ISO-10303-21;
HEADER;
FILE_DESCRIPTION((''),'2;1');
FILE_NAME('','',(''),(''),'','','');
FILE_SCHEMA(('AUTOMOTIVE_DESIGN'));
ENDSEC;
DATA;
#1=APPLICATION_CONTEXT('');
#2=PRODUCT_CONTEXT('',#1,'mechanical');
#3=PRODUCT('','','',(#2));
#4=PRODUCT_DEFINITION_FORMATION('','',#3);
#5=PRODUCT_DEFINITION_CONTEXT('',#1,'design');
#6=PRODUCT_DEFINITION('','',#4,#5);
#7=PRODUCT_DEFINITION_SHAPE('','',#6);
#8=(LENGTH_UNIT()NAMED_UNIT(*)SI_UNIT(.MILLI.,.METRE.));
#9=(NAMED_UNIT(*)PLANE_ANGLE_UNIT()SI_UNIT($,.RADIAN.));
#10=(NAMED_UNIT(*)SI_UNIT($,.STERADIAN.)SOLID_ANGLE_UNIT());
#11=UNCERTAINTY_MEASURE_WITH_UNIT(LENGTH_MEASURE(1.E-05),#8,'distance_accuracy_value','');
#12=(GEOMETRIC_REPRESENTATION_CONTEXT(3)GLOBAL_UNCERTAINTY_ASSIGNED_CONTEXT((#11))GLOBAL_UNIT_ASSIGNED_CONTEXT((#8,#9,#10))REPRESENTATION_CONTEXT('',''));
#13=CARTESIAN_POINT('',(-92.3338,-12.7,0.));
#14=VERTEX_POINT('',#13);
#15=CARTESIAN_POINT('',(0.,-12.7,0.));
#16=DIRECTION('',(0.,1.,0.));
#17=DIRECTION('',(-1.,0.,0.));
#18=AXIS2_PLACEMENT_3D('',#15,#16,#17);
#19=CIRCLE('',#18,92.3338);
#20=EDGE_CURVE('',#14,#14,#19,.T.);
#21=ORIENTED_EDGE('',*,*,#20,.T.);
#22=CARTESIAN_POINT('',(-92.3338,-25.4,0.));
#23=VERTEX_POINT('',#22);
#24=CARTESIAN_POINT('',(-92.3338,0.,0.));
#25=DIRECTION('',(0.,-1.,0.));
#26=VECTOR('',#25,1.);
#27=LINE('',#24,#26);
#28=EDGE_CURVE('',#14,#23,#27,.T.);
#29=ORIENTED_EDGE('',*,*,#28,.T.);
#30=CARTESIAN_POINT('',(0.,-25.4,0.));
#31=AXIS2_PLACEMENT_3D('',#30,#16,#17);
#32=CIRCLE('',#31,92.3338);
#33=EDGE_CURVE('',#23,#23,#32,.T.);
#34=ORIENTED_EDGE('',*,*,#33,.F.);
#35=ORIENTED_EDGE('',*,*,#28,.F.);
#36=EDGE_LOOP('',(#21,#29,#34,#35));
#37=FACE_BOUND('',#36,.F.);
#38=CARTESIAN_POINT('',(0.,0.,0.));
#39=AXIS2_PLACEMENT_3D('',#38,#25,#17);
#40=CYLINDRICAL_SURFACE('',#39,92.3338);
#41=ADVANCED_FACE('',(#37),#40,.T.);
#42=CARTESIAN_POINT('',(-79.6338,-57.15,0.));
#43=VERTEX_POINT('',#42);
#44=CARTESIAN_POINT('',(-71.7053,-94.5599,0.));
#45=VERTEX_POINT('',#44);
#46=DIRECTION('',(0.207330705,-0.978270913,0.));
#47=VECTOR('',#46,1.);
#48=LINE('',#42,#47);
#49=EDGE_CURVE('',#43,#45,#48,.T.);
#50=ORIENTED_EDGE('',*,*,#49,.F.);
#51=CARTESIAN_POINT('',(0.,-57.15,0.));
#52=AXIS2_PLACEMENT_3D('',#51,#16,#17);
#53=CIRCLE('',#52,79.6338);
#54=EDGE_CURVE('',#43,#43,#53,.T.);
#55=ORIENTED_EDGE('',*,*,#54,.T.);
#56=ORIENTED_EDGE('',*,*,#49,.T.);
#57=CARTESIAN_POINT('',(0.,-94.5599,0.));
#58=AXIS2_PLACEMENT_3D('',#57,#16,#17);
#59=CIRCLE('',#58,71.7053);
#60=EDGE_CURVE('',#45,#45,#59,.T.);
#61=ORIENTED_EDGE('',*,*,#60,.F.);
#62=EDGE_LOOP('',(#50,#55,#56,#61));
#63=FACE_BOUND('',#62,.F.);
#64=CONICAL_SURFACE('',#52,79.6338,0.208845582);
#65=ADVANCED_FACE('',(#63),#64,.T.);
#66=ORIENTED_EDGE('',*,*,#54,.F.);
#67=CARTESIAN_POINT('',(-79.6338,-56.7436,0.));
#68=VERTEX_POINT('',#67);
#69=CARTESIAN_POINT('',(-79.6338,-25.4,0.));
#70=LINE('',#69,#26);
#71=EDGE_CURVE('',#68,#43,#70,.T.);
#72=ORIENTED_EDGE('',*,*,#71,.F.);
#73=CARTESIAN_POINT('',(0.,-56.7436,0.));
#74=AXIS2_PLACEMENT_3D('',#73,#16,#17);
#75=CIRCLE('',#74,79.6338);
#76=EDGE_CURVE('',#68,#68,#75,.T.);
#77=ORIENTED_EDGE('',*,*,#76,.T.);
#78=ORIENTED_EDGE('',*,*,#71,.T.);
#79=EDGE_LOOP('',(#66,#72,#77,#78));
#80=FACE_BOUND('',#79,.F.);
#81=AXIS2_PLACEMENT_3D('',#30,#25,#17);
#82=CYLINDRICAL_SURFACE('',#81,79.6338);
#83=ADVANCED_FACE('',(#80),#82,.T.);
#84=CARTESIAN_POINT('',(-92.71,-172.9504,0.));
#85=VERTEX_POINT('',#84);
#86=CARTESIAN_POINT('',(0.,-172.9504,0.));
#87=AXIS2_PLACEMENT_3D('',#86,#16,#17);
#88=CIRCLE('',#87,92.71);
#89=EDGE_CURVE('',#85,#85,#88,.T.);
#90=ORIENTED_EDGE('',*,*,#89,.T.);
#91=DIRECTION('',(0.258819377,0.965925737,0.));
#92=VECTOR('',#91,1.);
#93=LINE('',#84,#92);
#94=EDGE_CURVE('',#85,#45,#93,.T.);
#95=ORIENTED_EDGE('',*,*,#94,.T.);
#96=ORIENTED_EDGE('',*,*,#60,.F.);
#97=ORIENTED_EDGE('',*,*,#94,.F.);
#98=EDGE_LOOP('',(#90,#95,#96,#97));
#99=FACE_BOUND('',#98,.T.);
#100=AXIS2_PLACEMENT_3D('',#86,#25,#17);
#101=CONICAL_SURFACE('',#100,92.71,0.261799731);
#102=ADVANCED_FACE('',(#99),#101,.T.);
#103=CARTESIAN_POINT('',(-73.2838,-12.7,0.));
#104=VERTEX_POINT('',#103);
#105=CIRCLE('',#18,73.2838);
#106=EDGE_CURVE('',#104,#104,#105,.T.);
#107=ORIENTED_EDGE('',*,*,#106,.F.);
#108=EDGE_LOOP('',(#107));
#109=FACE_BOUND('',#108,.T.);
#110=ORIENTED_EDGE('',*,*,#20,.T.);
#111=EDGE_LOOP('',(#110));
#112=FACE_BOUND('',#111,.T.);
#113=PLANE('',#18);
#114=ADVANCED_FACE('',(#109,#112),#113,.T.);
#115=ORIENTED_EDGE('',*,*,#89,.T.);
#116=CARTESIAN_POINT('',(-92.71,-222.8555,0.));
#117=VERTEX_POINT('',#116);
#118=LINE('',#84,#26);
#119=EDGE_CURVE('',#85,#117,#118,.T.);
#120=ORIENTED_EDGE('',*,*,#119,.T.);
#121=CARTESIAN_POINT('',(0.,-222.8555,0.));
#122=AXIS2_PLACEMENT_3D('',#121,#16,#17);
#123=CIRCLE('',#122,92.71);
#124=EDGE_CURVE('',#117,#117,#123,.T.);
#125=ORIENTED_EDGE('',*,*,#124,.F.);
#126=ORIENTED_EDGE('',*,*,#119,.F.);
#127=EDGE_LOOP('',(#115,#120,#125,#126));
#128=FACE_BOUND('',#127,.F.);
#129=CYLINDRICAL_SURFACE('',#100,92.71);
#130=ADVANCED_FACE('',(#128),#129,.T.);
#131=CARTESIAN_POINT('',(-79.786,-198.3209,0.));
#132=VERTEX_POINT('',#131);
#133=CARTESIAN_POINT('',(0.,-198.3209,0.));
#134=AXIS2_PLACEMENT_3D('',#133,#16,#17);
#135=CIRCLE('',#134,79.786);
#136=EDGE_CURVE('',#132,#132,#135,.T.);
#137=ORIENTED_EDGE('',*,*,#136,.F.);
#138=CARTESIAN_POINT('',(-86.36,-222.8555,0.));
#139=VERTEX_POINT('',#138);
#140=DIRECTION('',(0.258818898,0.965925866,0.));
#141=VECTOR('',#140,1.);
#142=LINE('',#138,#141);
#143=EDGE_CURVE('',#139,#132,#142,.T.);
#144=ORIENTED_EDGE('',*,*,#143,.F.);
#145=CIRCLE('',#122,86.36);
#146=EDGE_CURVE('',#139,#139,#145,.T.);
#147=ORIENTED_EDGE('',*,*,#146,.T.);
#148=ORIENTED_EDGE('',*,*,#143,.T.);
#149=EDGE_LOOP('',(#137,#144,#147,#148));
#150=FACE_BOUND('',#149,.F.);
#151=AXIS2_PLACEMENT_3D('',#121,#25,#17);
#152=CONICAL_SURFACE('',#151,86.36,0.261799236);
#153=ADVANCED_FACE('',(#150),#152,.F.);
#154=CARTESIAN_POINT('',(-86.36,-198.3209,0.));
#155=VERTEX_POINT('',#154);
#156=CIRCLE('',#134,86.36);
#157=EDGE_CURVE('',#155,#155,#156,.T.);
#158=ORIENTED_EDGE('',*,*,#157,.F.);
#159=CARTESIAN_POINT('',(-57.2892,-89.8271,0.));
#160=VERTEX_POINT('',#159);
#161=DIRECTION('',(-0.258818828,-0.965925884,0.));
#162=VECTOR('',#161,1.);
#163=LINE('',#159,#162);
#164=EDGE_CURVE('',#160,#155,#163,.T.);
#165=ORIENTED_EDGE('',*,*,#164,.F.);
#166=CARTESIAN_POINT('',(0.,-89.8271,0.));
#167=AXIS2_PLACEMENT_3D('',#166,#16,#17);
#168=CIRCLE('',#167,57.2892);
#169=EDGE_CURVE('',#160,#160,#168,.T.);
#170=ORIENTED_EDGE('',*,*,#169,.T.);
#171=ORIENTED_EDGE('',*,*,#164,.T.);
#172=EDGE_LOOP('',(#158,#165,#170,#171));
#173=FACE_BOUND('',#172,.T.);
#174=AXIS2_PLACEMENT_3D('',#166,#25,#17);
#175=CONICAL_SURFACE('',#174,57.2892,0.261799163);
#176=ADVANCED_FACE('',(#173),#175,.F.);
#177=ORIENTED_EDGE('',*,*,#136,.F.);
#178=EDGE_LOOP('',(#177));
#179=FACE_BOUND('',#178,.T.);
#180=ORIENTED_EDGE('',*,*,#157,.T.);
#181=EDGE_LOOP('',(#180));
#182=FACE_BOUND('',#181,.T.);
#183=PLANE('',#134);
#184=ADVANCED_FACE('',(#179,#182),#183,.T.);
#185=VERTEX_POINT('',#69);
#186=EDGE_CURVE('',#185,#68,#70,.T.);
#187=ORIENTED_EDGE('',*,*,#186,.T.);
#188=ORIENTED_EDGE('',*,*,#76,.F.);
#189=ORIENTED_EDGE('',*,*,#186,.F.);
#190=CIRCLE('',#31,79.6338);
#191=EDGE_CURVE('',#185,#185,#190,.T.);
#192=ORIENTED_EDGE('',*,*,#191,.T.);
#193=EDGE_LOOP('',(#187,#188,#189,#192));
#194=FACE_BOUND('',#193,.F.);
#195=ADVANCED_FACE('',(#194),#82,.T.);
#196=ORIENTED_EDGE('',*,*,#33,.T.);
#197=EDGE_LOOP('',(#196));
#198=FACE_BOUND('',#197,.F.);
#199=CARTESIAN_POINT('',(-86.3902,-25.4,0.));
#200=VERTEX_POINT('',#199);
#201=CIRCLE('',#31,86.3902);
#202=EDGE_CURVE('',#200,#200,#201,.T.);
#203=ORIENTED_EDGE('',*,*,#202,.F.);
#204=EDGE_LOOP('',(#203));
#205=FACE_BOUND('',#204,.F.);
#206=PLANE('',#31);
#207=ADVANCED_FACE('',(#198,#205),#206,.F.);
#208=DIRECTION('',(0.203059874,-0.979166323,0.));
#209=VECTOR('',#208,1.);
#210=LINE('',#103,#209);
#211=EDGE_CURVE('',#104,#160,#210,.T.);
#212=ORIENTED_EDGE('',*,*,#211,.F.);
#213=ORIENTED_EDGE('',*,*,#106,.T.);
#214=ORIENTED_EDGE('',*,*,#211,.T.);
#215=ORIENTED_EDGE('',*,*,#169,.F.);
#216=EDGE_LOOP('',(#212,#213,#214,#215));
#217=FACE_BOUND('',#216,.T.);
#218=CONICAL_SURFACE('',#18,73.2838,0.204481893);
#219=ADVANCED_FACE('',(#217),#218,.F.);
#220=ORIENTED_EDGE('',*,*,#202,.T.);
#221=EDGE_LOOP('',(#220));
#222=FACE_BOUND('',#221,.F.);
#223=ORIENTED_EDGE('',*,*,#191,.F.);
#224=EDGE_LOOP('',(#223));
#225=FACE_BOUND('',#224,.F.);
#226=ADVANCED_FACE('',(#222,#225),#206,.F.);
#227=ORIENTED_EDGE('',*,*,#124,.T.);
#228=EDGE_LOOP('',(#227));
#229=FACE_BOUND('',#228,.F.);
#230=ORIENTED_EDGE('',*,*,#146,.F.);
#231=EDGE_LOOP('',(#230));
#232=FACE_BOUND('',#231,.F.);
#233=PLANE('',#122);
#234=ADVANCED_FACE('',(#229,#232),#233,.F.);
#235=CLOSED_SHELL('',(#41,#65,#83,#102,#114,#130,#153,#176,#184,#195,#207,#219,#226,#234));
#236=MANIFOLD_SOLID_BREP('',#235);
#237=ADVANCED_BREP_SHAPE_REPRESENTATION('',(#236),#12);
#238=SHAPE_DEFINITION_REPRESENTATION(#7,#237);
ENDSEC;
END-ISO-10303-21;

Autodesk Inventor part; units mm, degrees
ref_plane "YZ Plane" through (0, 0, 0) normal (1, 0, 0) x (0, 1, 0)
ref_plane "XZ Plane" through (0, 0, 0) normal (0, 1, 0) x (-1, 0, 0)
ref_plane "XY Plane" through (0, 0, 0) normal (0, 0, 1) x (1, 0, 0)
sketch "Sketch1" plane through (0, 0, 0) normal (0, 0, 1) x (1, 0, 0)
  line L0 (0, 25.4) -> (-28.702, 25.4) construction
  line L1 (0, 25.4) -> (-95.25, 25.4) construction
  line L2 (-95.25, 25.4) -> (-89.1588, 25.4) construction
  line L3 (-89.1588, 25.4) -> (-85.693, 23.7839) construction
  line L4 (-89.1588, 25.4) -> (-89.1588, 21.1626) construction
  line L5 (-89.1588, 0) -> (-95.25, 0)
  line L6 (-28.702, 59.6457) -> (-28.702, -91.9304) construction
  arc A0 (-28.9184, -8.4804) -> (-32.3684, -1.0818) centre (-35.052, -6.8369) ccw
  line L7 (-89.1588, 25.4) -> (-89.1588, 0)
  line L8 (-89.1588, 25.4) -> (-32.3684, -1.0818)
  line L9 (-28.9184, -8.4804) -> (-28.9392, -8.5583)
  line L10 (0, -319.0244) -> (0, 122.7573) projected
  line L11 (-73.152, 17.9359) -> (-28.702, 17.9359) construction
  line L12 (-89.1588, 0) -> (-92.3338, 0)
  line L13 (11.4547, -6.8369) -> (-136.2084, -6.8369) construction
  line L14 (-57.2892, -89.8271) -> (-86.36, -198.3209)
  line L15 (-92.3338, -12.7) -> (-73.2838, -12.7)
  line L16 (-73.2838, -12.7) -> (-54.421, -103.6575)
  line L17 (-92.71, -222.8555) -> (-86.36, -222.8555)
  line L18 (-86.36, -198.3209) -> (-79.786, -198.3209)
  line L19 (-92.71, -172.9504) -> (-71.7053, -94.5599)
  line L20 (-92.3338, -25.4) -> (-79.6338, -25.4)
  line L21 (-79.6338, -25.4) -> (-79.6338, -57.15)
  line L22 (-79.6338, -57.15) -> (-71.7053, -94.5599)
  line L23 (-92.3338, 0) -> (-92.3338, -25.4)
  line L24 (-92.71, -172.9504) -> (-92.71, -222.8555)
  line L25 (-86.3902, -25.4) -> (-86.3902, -31.3436)
  line L26 (-86.3902, -31.3436) -> (-92.3338, -31.3436)
  line L27 (-92.3338, -31.3436) -> (-92.3338, -56.7436)
  line L28 (-92.3338, -56.7436) -> (-79.6338, -56.7436)
  line L29 (-73.152, 17.9359) -> (-32.3684, -1.0818)
  line L30 (-73.152, 17.9359) -> (-50.7653, -90.0141)
  line L31 (-50.7653, -90.0141) -> (-28.9184, -8.4804)
  line L32 (-52.4654, -96.3589) -> (-28.9184, -8.4804)
  line L33 (-86.36, -222.8555) -> (-28.9184, -8.4804)
  point P0 (0, 0)
  point P1 (-95.25, -255.9127)
  point P2 (-88.7095, 22.4389)
  dimension "d0" = 28.702
  dimension "d3" = 25
  dimension "d5" = 25.4
  dimension "d6" = 25.4
  dimension "d8" = 12.7
  dimension "d34" = 15
  dimension "d37" = 44.45
  dimension "d46" = 19.05
  dimension "d47" = 12.7
  dimension "d50" = 86.36
  dimension "d53" = 12.7
  dimension "d55" = 12.7
  dimension "d56" = 31.75
  dimension "d58" = 0.25
  dimension "d60" = 12.7
  dimension "d61" = 25.4
  dimension "d62" = 5.9436
  dimension "d63" = 5.9436
  dimension "d64" = 3.175
  dimension "d65" = 6.35
  dimension "d67" = 6.35
  dimension "d68" = 107.95
  dimension "d69" = 6.35
  dimension "d70" = 6.35
revolve "Revolution2" add sketch "Sketch1" angle 360 about axis through (0, -10, 0) along (0, 1, 0) contours L15 L16 L14 L18 L33 L17 L24 L19 L22 L21 L20 L23
properties part number "aluminum" material "Aluminum 6061"
